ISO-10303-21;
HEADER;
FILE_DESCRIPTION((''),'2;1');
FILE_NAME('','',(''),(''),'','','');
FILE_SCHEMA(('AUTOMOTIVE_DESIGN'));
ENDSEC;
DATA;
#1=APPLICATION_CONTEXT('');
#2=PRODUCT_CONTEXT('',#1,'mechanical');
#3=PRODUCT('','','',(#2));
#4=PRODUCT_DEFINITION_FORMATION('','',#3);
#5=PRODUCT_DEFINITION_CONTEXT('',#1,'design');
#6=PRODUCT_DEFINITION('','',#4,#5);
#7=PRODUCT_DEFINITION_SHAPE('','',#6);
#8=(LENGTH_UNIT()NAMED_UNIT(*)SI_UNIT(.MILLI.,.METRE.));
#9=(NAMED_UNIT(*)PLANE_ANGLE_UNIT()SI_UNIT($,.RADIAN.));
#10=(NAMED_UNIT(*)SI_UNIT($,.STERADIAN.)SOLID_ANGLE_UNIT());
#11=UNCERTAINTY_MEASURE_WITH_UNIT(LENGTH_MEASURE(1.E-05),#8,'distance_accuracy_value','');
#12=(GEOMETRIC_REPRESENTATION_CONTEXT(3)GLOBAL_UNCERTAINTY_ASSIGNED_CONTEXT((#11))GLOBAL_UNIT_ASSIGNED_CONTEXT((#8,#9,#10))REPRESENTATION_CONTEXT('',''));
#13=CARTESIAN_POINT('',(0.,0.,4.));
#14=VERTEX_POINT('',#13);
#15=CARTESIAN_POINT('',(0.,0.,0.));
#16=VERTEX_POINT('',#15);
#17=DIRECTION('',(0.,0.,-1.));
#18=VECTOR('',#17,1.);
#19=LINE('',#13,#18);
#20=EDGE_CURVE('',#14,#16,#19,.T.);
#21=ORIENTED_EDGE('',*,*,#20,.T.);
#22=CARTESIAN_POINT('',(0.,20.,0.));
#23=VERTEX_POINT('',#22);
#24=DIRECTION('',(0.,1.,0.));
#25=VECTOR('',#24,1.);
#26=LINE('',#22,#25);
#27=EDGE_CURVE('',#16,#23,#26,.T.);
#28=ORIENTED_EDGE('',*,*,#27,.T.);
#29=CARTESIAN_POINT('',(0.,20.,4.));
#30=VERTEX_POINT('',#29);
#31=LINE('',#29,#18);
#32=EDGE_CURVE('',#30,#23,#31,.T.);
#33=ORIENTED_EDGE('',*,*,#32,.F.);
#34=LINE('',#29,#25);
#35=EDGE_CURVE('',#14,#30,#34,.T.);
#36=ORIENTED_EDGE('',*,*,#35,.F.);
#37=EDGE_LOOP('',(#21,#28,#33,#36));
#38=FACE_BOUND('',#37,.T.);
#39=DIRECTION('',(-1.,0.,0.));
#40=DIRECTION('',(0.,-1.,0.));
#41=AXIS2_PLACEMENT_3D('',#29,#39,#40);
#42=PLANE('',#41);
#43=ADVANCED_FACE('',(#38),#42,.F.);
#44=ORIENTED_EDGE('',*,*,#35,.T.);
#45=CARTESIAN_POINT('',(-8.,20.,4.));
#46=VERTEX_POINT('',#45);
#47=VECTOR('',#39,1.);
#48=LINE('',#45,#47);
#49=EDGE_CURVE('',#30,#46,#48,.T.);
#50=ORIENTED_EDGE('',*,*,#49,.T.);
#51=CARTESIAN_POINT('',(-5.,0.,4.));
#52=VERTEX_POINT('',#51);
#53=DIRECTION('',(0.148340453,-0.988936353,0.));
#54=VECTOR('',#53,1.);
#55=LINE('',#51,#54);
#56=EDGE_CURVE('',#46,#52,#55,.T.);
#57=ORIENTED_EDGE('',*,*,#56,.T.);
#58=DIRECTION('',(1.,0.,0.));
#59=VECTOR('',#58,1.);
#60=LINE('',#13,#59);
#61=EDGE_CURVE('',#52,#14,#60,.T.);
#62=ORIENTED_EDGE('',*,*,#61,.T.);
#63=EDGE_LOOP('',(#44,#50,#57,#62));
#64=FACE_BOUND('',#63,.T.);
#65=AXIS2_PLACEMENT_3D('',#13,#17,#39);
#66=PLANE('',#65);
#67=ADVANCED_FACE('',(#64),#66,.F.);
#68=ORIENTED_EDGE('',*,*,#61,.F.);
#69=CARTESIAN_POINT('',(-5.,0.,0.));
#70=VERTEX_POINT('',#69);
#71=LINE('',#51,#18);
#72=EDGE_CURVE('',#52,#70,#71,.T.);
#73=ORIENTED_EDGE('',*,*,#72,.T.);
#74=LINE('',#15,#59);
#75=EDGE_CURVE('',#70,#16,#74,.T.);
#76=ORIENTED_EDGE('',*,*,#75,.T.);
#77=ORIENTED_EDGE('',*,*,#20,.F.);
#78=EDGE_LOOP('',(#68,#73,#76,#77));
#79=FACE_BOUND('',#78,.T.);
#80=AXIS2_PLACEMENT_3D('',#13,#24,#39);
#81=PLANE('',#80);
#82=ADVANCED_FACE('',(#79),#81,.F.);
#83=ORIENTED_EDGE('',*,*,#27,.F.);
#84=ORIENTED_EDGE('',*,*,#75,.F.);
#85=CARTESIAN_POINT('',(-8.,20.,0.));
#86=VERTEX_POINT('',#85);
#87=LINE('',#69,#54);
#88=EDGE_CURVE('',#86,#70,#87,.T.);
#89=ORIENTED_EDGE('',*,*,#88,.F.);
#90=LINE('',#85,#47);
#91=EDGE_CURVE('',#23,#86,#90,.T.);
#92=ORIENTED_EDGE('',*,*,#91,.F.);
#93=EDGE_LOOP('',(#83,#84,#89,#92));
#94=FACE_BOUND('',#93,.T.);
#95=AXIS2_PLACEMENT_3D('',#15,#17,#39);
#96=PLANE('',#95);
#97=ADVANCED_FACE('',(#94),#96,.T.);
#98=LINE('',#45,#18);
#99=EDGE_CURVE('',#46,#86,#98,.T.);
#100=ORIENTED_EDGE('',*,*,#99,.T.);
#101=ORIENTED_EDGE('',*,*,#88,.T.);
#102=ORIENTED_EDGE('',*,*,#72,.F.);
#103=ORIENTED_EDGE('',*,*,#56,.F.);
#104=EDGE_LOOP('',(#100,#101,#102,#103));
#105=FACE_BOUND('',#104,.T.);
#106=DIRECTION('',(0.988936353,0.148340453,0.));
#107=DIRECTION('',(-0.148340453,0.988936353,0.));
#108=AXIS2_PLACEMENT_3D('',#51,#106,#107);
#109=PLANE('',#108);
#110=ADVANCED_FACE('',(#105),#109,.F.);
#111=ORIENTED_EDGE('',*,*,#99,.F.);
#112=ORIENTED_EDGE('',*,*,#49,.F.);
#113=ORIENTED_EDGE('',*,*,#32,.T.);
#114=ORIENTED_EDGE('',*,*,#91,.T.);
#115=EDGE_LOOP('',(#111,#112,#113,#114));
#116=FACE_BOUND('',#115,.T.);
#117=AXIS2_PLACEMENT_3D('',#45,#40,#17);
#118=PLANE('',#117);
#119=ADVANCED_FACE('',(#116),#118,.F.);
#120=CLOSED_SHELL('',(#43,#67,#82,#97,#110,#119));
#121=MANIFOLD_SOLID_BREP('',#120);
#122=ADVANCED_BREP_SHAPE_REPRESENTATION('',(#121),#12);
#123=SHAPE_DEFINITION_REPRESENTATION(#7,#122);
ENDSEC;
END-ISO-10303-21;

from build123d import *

# Parameters (mm, degrees)
BOSS_EXTRUDE1_DEPTH = 4


with BuildPart() as part:
    # Sketch1 → Boss-Extrude1 (new body)
    with BuildSketch(Plane.XY):
        Polygon((0, 0), (-5, 0), (-8, 20), (0, 20), align=None)
    extrude(amount=BOSS_EXTRUDE1_DEPTH)


solid = part.part
